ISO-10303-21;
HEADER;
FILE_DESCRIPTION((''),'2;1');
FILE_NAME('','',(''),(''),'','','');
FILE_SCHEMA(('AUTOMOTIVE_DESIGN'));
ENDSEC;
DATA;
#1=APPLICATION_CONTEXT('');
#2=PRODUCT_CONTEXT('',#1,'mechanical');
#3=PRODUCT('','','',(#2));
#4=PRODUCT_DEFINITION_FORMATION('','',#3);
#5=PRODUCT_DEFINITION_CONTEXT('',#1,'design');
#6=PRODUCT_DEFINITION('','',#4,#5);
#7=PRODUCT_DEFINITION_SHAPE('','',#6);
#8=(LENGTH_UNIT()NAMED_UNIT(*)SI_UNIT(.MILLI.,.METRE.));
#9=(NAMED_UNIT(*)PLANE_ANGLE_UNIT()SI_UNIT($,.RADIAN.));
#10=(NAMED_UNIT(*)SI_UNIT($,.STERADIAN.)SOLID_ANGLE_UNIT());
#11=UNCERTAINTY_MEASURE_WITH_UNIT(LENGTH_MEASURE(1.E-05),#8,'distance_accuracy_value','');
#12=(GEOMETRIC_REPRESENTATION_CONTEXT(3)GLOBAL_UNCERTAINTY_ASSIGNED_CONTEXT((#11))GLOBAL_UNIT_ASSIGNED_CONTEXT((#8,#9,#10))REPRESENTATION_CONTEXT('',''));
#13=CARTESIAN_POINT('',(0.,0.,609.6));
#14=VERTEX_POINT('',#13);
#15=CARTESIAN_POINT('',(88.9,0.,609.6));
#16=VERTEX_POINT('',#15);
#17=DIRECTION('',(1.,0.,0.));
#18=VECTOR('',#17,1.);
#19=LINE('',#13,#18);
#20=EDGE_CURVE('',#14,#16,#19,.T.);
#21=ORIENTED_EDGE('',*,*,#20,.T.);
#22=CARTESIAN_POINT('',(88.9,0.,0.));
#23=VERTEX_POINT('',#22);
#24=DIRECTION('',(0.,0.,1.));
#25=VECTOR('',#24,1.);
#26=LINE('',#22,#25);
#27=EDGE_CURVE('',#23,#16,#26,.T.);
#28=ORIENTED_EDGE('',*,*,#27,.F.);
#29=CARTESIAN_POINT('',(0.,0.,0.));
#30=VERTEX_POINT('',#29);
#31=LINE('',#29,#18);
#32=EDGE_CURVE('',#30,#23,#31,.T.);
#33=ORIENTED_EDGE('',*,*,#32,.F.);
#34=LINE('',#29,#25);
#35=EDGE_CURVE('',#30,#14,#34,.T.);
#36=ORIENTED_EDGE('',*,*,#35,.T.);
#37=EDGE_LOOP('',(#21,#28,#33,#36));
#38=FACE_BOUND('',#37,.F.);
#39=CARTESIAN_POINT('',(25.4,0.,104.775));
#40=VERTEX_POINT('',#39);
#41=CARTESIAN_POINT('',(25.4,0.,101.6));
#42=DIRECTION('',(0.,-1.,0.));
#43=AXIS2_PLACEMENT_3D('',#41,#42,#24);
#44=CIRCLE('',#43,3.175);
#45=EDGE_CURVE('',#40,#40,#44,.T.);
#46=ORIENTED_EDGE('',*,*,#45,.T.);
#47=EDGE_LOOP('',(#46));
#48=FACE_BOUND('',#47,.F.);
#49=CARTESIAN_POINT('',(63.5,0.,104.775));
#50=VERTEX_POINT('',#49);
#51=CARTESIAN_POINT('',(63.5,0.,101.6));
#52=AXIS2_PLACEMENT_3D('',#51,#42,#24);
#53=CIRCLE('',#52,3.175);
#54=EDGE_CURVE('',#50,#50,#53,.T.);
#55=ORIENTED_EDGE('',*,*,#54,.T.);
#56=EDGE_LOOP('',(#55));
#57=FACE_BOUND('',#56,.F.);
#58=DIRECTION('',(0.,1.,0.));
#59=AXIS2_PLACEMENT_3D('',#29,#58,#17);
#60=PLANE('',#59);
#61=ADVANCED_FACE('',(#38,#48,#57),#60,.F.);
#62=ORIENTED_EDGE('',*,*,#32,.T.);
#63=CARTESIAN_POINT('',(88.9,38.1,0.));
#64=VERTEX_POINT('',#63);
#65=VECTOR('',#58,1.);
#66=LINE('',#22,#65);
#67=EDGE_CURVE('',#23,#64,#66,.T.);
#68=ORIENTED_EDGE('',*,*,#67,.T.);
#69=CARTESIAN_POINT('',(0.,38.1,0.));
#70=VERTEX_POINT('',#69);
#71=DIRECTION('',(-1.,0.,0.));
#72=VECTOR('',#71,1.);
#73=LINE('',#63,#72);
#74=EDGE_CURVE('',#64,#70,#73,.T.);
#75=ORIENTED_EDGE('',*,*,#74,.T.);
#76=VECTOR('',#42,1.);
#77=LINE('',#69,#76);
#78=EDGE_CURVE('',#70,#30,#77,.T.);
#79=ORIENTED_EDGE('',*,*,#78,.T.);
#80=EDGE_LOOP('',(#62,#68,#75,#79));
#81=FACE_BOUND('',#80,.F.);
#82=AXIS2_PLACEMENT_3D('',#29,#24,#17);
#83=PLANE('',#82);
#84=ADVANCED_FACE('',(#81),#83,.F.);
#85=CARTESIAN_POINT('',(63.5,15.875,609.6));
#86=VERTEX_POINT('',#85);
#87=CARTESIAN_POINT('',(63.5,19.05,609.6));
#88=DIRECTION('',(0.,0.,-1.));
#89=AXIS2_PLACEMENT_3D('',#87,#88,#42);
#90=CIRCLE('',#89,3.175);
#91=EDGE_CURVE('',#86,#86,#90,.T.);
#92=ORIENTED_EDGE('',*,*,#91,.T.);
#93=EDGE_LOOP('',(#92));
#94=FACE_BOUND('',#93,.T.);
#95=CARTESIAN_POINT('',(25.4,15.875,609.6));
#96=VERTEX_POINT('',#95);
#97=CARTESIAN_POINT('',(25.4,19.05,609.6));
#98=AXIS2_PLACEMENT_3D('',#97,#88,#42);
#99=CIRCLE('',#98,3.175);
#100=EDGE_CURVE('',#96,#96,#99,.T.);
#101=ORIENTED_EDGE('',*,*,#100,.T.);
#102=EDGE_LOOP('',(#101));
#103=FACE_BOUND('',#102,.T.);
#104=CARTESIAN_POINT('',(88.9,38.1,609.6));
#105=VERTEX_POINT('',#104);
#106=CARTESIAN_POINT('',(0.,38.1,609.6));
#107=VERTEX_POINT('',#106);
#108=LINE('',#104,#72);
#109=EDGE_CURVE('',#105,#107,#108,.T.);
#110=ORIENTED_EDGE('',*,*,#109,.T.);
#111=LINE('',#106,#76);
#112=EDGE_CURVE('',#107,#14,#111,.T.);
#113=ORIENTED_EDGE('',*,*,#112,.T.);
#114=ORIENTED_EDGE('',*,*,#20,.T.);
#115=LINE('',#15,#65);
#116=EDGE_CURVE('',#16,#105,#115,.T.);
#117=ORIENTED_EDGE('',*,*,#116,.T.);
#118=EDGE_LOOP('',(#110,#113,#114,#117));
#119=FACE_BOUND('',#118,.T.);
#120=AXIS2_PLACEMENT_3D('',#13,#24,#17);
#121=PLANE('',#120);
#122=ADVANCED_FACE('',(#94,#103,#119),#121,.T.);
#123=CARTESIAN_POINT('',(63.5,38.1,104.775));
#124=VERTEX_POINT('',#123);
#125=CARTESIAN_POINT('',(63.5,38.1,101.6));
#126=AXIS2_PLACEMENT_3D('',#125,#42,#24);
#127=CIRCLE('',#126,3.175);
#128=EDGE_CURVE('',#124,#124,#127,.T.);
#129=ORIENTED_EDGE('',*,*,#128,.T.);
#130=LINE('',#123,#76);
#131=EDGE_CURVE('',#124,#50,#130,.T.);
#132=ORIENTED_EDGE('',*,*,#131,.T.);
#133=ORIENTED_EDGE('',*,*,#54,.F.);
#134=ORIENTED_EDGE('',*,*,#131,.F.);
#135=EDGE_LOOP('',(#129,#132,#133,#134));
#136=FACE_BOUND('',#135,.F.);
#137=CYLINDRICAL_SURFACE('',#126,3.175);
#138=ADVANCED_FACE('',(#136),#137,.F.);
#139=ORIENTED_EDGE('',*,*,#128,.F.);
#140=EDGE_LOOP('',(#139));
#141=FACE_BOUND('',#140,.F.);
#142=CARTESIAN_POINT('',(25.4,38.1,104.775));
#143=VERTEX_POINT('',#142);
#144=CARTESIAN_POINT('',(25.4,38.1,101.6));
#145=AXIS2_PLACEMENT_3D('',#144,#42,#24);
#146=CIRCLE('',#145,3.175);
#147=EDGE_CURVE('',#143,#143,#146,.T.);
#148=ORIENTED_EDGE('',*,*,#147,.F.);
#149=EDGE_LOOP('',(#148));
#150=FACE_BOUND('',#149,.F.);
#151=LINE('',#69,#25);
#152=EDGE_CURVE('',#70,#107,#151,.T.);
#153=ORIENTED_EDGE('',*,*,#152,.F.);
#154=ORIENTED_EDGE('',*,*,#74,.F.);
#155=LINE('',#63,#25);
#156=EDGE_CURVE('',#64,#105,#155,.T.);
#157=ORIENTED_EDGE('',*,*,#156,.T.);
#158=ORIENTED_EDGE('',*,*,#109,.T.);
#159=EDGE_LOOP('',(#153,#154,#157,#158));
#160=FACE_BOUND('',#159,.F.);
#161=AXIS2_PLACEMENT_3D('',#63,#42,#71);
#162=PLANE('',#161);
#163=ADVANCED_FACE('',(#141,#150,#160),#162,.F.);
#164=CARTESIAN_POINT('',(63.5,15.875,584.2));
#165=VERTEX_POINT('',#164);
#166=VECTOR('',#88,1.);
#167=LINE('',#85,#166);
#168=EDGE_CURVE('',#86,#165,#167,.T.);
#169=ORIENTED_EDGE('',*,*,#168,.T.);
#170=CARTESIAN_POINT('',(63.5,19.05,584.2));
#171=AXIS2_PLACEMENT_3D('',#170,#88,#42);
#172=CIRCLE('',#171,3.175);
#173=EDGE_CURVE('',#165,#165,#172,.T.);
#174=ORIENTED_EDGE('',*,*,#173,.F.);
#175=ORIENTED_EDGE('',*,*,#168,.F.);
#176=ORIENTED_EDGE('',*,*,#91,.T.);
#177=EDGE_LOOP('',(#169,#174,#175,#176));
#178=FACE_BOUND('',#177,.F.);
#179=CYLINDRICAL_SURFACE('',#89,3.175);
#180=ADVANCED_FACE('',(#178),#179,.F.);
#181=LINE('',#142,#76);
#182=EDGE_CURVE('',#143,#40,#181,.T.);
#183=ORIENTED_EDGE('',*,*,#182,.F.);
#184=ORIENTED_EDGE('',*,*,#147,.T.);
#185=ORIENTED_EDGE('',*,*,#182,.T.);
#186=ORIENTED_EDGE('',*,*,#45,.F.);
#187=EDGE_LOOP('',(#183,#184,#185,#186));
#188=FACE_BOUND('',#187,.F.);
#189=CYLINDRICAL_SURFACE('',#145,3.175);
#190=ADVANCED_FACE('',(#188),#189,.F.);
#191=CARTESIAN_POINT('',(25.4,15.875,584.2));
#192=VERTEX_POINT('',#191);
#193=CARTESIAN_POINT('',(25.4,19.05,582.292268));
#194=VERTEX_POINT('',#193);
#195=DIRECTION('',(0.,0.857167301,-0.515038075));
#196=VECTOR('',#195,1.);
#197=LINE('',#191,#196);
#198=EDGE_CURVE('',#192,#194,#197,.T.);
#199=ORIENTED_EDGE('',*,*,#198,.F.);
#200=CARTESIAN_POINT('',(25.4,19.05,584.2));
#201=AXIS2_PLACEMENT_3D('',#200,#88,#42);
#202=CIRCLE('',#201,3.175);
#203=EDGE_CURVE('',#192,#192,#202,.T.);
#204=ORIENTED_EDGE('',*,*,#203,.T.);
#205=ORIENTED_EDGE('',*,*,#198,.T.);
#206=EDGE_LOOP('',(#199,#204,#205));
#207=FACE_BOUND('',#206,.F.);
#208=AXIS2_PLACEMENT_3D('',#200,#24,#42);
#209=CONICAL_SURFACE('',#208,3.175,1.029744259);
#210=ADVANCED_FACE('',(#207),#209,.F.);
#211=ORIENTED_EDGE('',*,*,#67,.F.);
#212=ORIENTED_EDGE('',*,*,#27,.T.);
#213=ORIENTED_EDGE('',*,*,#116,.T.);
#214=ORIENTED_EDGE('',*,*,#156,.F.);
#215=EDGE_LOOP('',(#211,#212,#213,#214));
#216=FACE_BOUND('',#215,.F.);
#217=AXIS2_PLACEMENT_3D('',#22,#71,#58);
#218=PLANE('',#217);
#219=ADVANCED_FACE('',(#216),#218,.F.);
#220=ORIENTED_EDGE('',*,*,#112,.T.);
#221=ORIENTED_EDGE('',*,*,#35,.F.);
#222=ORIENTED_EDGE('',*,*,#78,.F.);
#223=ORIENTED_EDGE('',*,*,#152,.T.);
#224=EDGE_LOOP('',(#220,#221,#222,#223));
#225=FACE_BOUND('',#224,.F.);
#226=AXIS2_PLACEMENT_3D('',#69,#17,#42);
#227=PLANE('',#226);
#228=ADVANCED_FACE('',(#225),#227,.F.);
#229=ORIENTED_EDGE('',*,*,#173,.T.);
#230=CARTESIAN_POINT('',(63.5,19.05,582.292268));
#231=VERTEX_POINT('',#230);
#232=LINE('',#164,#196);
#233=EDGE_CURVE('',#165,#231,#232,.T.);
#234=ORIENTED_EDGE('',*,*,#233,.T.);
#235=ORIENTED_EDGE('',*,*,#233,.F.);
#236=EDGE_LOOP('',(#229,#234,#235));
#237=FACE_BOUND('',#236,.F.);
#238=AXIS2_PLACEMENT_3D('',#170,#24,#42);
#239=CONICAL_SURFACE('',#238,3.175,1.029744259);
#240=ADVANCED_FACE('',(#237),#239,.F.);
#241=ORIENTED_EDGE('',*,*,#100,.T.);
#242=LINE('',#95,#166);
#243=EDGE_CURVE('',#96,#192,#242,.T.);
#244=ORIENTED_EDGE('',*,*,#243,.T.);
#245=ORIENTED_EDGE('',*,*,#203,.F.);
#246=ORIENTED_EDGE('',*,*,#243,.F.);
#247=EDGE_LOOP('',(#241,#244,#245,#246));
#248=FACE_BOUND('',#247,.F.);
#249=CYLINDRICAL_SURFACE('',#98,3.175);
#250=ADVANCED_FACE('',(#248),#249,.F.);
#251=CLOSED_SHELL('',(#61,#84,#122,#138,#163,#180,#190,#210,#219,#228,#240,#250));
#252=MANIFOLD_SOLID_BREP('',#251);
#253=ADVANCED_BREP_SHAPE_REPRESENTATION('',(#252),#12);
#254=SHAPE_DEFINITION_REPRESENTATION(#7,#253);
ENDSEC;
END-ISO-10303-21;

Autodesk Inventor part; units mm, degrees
ref_plane "YZ Plane" through (0, 0, 0) normal (1, 0, 0) x (0, 1, 0)
ref_plane "XZ Plane" through (0, 0, 0) normal (0, 1, 0) x (-1, 0, 0)
ref_plane "XY Plane" through (0, 0, 0) normal (0, 0, 1) x (1, 0, 0)
sketch "Sketch1" plane through (0, 0, 0) normal (0, 0, 1) x (1, 0, 0)
  line L0 (0, 0) -> (88.9, 0)
  line L1 (88.9, 0) -> (88.9, 38.1)
  line L2 (88.9, 38.1) -> (0, 38.1)
  line L3 (0, 38.1) -> (0, 0)
  dimension "d0" = 88.9
  dimension "d1" = 38.1
extrude "Extrusion1" add sketch "Sketch1" along normal blind 609.6
sketch "Sketch2" plane through (0, 0, 609.6) normal (0, 0, 1) x (1, 0, 0)
  line L0 (0, 0) -> (88.9, 0) projected
  line L1 (0, 38.1) -> (0, 0) projected
  circle A0 centre (25.4, 19.05) radius 5.7238
  circle A1 centre (63.5, 19.05) radius 5.7238
  dimension "d4" = 25.4
  dimension "d7" = 38.1
hole "Hole1" at (25.4, 19.05, 609.6) at (63.5, 19.05, 609.6) direction (0, 0, -1) diameter 6.35 depth 25.4 tip angle 118
sketch "Sketch3" plane through (0, 38.1, 0) normal (0, 1, 0) x (1, 0, 0)
  line L0 (88.9, 0) -> (0, 0) projected
  line L1 (0, 0) -> (0, -609.6) projected
  circle A0 centre (25.4, -101.6) radius 3.5498
  circle A1 centre (63.5, -101.6) radius 3.5498
  dimension "d19" = 25.4
  dimension "d20" = 101.6
  dimension "d23" = 38.1
hole "Hole2" at (63.5, 38.1, 101.6) at (25.4, 38.1, 101.6) direction (0, -1, 0) diameter 6.35 end through all
properties part number "pole_EdgeUprightHoriz" material "Wood (Cherry)"
